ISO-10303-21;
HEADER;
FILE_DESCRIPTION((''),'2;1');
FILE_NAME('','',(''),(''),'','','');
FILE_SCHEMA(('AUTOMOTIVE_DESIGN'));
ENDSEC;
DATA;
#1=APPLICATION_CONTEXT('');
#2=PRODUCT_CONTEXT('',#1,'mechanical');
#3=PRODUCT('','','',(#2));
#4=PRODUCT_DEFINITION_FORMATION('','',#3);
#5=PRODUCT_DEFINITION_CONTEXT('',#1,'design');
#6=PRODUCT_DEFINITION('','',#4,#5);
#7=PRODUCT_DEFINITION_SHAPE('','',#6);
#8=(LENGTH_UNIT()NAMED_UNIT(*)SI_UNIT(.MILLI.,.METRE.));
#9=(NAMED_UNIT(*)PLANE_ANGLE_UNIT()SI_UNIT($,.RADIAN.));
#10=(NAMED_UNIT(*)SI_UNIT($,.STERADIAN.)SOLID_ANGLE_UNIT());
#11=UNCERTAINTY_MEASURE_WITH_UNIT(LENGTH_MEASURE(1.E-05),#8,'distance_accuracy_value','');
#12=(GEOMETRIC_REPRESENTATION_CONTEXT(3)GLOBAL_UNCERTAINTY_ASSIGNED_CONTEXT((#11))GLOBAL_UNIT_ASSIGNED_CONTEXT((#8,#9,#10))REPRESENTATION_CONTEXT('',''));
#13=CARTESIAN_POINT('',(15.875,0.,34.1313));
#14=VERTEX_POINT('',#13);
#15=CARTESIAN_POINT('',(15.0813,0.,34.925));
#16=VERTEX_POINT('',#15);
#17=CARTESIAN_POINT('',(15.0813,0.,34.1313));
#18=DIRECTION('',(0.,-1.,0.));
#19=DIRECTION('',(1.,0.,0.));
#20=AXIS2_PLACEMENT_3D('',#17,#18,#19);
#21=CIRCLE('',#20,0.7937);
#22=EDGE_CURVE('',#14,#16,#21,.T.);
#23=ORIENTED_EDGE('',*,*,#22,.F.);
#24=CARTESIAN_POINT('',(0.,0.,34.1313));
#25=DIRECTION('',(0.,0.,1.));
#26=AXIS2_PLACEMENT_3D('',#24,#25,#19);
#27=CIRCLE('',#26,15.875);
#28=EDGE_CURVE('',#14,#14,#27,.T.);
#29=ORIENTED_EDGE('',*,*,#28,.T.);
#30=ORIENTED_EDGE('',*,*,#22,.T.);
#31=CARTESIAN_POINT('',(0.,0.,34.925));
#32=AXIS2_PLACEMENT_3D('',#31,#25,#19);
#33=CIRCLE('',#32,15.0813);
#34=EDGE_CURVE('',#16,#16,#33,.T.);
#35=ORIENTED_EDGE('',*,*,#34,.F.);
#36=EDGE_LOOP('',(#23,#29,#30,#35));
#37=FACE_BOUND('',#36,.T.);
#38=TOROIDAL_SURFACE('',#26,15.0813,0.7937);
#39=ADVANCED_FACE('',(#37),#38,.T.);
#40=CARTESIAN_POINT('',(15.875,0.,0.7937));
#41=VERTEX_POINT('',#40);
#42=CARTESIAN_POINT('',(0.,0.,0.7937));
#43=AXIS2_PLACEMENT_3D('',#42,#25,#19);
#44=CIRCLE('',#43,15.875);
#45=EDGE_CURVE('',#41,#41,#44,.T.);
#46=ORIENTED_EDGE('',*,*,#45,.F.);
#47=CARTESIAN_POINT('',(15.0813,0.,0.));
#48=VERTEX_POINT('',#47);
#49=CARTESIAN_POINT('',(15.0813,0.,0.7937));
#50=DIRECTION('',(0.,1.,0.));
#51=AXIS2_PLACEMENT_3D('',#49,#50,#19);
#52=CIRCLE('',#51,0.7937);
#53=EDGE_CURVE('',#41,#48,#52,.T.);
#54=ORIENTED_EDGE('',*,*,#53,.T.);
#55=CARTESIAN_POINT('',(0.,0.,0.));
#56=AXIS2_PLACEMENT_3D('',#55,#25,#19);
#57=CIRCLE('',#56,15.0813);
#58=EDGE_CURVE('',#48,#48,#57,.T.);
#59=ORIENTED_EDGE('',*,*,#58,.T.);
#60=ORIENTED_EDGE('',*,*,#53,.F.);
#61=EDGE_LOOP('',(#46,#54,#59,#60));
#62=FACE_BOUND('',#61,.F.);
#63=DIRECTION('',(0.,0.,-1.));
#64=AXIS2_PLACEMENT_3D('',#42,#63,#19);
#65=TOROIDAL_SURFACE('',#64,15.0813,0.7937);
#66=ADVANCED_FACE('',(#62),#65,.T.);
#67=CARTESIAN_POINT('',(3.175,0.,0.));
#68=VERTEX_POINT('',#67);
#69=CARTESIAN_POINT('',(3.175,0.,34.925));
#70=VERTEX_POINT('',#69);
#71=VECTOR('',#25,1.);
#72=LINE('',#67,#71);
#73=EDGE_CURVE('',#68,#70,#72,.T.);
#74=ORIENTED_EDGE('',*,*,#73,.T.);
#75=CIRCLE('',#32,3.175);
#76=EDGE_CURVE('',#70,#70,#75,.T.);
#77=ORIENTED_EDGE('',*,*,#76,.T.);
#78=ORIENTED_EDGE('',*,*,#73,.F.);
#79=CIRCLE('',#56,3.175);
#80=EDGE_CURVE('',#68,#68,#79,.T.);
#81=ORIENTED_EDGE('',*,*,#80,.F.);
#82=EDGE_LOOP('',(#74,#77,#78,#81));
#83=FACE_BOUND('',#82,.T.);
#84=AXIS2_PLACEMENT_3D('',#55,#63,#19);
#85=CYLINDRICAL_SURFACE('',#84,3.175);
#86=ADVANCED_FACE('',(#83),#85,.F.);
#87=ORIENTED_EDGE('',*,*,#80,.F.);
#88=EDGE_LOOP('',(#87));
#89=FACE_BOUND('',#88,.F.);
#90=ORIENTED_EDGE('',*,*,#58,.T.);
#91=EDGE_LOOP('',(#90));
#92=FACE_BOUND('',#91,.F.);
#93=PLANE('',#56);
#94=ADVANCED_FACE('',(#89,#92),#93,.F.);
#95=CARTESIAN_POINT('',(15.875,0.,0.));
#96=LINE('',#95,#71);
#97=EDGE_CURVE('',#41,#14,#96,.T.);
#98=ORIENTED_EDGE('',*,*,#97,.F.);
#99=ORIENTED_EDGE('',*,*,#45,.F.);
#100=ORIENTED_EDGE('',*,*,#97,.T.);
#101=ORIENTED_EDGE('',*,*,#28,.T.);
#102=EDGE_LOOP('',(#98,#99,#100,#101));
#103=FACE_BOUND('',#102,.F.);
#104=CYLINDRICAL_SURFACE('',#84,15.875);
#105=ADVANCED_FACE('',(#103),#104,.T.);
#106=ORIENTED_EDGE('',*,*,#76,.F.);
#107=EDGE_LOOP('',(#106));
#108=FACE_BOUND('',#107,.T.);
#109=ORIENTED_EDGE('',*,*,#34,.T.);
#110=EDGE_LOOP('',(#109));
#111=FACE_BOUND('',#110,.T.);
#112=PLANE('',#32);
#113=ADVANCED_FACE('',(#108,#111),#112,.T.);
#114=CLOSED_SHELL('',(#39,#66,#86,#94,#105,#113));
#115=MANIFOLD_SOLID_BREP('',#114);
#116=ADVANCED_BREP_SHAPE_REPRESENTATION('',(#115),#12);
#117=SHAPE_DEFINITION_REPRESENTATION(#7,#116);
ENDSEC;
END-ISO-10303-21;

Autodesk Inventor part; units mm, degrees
ref_plane "YZ Plane" through (0, 0, 0) normal (1, 0, 0) x (0, 1, 0)
ref_plane "XZ Plane" through (0, 0, 0) normal (0, 1, 0) x (-1, 0, 0)
ref_plane "XY Plane" through (0, 0, 0) normal (0, 0, 1) x (1, 0, 0)
sketch "Sketch1" plane through (0, 0, 0) normal (0, 0, 1) x (1, 0, 0)
  circle A0 centre (0, 0) radius 15.875
  circle A1 centre (0, 0) radius 3.175
  dimension "d0" = 31.75
  dimension "d1" = 6.35
extrude "Extrusion1" add sketch "Sketch1" along normal blind 34.925
fillet "Fillet1" radius 0.7937 2 edges at (-15.875, 0, 34.925) (-15.875, 0, 0)
properties part number "Conveyor_Roller_Middle" material "Rubber"
